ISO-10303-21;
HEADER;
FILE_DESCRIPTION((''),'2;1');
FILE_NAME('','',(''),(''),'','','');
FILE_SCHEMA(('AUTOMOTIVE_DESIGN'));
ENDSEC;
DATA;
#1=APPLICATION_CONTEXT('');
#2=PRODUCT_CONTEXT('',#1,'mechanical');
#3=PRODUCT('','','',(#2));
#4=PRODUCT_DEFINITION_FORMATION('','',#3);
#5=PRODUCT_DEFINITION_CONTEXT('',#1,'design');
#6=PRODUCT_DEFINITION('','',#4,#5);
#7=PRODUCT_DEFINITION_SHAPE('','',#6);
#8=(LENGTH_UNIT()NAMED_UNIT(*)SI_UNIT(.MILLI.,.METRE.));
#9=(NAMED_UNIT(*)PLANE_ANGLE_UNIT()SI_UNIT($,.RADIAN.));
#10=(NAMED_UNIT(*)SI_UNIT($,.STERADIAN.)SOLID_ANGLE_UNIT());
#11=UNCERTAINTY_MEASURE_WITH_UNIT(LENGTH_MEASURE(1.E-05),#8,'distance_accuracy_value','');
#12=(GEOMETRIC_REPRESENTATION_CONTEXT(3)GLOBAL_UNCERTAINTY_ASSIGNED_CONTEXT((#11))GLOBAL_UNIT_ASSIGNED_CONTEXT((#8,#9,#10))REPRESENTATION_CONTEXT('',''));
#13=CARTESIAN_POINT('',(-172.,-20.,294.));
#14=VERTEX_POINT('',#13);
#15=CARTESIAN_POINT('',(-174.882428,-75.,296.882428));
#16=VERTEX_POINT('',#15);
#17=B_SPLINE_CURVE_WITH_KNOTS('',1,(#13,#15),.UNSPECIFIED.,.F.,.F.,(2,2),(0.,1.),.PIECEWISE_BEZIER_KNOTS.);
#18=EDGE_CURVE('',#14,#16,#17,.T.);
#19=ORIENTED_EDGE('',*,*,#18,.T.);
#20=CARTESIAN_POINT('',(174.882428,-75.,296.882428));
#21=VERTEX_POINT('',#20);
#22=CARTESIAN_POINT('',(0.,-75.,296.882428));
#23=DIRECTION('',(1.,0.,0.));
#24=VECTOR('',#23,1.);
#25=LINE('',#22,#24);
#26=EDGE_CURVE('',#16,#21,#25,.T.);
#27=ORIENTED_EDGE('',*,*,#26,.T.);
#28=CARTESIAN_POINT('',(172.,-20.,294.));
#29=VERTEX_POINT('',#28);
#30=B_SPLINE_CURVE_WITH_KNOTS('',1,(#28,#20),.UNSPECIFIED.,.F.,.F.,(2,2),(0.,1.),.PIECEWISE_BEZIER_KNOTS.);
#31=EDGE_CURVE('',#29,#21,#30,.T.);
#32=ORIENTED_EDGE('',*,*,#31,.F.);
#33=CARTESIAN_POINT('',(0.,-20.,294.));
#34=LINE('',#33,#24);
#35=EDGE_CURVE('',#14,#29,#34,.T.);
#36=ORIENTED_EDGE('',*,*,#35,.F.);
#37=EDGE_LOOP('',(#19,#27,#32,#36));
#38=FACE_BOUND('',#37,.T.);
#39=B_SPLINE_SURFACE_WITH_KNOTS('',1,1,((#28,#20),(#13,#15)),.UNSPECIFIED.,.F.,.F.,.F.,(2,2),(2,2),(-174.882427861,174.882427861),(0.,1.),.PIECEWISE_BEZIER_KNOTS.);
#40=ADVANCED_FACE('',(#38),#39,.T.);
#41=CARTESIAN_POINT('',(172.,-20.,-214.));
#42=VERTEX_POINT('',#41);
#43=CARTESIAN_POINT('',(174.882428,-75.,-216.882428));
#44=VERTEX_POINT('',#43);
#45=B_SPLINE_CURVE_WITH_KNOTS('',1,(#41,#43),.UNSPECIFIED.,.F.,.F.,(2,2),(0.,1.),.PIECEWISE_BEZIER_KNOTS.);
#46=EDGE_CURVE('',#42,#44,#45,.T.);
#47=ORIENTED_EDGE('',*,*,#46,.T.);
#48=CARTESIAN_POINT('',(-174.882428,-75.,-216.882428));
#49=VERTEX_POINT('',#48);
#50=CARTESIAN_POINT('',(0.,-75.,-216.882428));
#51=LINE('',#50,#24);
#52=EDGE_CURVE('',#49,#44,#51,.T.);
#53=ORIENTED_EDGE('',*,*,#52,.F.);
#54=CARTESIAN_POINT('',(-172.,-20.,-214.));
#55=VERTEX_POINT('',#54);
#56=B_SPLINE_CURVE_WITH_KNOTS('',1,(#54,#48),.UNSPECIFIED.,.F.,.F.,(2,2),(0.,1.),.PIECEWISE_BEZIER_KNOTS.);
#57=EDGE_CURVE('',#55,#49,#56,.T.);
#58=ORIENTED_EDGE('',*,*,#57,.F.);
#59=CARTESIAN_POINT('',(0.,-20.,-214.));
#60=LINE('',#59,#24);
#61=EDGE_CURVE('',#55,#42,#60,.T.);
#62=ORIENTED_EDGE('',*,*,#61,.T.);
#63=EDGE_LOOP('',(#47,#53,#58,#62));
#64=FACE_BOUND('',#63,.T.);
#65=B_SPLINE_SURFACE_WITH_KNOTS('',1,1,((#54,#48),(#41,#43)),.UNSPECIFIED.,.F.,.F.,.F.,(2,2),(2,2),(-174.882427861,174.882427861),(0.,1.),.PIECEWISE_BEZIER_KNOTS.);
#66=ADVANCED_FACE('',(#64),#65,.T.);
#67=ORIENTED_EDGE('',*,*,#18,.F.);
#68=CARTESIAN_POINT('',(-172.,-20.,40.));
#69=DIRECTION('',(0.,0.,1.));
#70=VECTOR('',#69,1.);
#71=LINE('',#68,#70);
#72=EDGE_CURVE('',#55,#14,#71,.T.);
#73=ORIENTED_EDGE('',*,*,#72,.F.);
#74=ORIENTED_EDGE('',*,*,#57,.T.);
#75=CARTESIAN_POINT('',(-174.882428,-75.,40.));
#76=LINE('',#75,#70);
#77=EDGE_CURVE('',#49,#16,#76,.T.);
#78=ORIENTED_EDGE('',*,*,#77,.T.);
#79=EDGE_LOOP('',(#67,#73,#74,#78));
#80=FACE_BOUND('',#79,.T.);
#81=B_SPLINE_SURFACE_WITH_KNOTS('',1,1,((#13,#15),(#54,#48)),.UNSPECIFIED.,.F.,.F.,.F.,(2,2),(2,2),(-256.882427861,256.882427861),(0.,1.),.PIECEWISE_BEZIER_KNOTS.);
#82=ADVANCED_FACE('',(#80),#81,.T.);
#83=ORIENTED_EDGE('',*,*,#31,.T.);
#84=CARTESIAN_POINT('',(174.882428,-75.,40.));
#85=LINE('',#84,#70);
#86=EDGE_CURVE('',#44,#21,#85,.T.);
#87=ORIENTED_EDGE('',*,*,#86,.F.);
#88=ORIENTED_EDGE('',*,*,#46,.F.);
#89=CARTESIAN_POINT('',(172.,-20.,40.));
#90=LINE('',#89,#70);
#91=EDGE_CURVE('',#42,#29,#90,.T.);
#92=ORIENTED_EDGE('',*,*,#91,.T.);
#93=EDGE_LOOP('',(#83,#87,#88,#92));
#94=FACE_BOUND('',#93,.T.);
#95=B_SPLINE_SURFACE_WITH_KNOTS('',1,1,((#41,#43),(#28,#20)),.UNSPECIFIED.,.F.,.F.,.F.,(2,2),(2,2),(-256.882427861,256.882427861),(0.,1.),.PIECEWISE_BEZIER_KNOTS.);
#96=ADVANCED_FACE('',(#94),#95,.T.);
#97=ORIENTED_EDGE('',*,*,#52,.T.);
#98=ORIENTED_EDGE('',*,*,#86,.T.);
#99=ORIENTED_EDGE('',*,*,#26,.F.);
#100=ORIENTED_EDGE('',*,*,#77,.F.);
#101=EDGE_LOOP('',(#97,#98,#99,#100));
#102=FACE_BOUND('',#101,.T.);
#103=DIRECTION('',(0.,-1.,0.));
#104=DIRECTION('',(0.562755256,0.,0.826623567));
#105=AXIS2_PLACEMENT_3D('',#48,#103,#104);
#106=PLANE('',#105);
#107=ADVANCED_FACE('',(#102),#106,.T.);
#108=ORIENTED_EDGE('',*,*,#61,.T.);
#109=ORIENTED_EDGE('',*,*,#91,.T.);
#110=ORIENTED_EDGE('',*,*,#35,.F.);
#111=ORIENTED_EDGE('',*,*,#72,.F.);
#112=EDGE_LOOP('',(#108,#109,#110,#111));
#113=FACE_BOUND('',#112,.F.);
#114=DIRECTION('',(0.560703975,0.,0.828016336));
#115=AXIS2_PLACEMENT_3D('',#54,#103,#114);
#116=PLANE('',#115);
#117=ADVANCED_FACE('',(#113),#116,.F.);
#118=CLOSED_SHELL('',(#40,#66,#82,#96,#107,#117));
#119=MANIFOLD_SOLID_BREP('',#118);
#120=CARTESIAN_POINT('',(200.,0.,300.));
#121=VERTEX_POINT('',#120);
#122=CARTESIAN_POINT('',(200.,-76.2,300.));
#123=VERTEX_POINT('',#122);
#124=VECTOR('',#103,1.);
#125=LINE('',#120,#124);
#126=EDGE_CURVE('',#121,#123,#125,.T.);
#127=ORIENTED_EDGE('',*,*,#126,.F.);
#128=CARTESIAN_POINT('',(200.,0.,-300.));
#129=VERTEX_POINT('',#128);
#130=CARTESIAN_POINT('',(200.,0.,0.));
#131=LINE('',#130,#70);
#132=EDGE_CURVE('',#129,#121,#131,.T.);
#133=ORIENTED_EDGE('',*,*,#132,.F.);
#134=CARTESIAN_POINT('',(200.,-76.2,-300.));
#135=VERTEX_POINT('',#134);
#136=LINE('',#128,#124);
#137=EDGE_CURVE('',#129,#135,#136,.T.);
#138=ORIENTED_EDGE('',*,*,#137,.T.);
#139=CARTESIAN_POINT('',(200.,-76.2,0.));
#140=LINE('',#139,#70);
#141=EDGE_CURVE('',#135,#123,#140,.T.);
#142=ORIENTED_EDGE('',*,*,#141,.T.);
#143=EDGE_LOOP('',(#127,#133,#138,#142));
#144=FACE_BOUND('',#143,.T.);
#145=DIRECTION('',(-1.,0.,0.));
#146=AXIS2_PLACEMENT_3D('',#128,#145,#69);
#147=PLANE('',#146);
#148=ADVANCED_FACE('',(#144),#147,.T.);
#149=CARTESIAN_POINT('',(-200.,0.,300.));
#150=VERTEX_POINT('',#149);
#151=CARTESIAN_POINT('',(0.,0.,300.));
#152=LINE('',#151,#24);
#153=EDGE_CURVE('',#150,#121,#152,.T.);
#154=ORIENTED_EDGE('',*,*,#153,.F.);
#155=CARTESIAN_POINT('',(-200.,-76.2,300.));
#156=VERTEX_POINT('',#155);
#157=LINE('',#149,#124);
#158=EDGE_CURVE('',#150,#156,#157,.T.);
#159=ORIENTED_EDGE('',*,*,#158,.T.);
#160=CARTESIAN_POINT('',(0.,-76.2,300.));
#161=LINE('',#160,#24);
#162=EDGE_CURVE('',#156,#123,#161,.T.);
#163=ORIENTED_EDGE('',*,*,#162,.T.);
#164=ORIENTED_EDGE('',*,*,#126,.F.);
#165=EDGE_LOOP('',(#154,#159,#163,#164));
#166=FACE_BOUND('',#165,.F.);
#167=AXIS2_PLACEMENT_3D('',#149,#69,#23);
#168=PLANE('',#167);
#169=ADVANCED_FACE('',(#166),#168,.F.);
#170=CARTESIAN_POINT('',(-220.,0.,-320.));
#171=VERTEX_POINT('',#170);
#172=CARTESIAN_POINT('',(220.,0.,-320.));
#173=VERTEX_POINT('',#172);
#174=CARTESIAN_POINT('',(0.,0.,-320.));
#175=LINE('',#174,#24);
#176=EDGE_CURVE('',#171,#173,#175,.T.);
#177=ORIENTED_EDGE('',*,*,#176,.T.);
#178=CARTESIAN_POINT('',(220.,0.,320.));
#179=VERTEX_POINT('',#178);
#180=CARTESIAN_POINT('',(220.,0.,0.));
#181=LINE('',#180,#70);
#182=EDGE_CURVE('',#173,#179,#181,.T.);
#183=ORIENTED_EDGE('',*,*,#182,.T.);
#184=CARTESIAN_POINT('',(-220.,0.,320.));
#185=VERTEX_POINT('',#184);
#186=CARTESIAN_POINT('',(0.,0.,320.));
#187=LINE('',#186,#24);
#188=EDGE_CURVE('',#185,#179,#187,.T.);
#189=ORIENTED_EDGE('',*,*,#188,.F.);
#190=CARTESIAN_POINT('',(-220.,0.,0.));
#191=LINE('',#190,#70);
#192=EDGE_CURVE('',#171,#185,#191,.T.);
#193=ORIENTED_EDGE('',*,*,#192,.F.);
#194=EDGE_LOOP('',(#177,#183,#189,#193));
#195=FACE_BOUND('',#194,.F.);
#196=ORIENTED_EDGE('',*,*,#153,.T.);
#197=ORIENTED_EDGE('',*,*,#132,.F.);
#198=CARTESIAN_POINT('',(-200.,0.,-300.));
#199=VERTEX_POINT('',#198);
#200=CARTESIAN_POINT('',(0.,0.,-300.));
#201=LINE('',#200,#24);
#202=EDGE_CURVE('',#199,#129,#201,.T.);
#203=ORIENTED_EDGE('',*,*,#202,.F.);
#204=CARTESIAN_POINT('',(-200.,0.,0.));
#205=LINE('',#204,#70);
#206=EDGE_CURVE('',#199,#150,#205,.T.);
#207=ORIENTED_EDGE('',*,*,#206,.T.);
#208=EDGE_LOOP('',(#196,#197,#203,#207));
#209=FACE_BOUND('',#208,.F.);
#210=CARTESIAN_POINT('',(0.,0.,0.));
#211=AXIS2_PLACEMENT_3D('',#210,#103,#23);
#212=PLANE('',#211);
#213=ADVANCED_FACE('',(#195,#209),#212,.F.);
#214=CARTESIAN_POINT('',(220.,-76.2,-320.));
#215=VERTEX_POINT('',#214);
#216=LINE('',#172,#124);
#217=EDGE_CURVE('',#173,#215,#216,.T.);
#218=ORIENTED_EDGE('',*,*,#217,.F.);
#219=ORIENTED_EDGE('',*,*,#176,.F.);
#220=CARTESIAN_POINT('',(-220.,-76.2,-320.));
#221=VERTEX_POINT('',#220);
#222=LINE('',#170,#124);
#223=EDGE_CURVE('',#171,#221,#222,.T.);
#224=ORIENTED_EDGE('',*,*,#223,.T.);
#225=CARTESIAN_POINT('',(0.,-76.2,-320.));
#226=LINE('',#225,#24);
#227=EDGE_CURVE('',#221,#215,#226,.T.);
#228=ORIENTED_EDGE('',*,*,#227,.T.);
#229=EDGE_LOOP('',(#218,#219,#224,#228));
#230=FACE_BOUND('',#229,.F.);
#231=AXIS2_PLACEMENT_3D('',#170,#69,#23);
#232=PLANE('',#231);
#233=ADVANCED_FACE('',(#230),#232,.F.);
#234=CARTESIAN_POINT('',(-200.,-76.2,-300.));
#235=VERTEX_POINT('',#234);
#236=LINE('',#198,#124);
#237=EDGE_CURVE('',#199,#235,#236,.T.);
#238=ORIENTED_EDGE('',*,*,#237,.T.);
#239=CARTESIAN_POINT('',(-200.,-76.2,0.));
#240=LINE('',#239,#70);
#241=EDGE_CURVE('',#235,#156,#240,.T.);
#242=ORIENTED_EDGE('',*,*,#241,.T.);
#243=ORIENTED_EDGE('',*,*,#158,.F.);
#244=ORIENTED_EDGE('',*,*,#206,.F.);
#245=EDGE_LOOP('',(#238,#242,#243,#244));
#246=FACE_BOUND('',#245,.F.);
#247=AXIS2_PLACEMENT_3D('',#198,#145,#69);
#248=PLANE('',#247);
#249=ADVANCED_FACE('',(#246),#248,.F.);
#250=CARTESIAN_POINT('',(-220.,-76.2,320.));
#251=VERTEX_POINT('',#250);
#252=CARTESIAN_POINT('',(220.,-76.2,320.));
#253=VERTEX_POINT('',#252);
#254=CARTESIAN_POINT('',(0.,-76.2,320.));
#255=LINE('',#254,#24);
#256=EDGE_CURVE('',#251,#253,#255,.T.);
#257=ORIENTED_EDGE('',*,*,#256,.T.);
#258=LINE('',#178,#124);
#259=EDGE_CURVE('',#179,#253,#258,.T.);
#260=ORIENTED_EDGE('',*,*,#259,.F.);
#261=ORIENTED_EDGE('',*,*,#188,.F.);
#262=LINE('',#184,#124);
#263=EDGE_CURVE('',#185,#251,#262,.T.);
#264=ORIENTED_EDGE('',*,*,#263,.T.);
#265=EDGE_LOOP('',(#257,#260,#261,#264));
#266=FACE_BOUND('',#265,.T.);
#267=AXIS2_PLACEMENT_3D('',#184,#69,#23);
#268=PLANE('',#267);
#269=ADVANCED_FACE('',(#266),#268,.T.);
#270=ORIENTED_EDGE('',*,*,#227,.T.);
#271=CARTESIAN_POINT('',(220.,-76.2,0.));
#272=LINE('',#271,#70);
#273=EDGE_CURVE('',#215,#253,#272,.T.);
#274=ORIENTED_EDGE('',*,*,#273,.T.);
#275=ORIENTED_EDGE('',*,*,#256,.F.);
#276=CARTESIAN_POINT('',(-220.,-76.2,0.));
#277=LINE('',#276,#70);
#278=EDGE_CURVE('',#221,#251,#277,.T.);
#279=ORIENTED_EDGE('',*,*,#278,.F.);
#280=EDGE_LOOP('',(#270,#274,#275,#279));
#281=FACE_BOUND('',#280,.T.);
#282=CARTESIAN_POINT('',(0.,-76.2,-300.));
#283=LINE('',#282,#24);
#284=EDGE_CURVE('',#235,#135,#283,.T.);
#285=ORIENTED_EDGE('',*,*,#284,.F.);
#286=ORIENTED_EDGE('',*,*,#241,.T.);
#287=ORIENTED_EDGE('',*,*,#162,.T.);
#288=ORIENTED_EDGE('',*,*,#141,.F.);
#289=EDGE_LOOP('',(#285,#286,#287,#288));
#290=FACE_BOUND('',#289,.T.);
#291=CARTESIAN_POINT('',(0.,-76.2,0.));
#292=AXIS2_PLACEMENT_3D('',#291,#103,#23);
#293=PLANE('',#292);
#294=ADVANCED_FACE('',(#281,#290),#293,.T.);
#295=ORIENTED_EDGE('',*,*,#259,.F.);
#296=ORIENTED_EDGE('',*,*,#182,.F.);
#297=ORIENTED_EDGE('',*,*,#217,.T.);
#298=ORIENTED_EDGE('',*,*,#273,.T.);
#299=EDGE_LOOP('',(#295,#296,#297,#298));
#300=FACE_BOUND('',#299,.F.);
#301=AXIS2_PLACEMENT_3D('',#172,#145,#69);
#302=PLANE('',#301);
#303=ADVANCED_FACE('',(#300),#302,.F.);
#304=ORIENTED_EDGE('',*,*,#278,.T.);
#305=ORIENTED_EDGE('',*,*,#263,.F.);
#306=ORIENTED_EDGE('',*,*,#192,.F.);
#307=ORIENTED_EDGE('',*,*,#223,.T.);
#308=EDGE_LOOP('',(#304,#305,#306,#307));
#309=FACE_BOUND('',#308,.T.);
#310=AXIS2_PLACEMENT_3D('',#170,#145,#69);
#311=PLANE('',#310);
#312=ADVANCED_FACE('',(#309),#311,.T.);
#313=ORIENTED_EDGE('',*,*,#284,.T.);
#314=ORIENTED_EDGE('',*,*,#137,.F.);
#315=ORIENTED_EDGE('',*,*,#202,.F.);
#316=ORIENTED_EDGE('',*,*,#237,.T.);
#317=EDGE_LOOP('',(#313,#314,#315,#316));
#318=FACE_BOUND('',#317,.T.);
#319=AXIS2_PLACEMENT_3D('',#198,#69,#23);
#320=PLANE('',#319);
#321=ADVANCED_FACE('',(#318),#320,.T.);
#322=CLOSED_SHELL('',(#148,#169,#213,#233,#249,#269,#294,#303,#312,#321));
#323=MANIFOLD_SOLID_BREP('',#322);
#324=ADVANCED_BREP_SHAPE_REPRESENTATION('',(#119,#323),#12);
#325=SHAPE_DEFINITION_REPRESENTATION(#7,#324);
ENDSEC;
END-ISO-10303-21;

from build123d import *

# Parameters (mm, degrees)
F0_W     = 440
F0_H     = 640
F0_W_2   = 400
F0_H_2   = 600
F1_DEPTH = 76.2
F2_W     = 344
F2_H     = 508
F3_DEPTH = 55
F3_TAPER = -3


with BuildPart() as f1:
    # F0 (on Front) → F1 (new body)
    with BuildSketch(Plane.XZ):
        Rectangle(F0_W, F0_H)
        Rectangle(F0_W_2, F0_H_2, mode=Mode.SUBTRACT)
    extrude(amount=F1_DEPTH)


with BuildPart() as f3:
    # F2 (on Front) → F3 (new body)
    with BuildSketch(Plane.XZ):
        Rectangle(F2_W, F2_H)
    extrude(amount=F3_DEPTH, taper=F3_TAPER)


with BuildPart() as f3_1:
    # F4: moved
    add(f3.part.moved(Location((0, -20, 40))))


solid = Compound([f1.part, f3_1.part])
